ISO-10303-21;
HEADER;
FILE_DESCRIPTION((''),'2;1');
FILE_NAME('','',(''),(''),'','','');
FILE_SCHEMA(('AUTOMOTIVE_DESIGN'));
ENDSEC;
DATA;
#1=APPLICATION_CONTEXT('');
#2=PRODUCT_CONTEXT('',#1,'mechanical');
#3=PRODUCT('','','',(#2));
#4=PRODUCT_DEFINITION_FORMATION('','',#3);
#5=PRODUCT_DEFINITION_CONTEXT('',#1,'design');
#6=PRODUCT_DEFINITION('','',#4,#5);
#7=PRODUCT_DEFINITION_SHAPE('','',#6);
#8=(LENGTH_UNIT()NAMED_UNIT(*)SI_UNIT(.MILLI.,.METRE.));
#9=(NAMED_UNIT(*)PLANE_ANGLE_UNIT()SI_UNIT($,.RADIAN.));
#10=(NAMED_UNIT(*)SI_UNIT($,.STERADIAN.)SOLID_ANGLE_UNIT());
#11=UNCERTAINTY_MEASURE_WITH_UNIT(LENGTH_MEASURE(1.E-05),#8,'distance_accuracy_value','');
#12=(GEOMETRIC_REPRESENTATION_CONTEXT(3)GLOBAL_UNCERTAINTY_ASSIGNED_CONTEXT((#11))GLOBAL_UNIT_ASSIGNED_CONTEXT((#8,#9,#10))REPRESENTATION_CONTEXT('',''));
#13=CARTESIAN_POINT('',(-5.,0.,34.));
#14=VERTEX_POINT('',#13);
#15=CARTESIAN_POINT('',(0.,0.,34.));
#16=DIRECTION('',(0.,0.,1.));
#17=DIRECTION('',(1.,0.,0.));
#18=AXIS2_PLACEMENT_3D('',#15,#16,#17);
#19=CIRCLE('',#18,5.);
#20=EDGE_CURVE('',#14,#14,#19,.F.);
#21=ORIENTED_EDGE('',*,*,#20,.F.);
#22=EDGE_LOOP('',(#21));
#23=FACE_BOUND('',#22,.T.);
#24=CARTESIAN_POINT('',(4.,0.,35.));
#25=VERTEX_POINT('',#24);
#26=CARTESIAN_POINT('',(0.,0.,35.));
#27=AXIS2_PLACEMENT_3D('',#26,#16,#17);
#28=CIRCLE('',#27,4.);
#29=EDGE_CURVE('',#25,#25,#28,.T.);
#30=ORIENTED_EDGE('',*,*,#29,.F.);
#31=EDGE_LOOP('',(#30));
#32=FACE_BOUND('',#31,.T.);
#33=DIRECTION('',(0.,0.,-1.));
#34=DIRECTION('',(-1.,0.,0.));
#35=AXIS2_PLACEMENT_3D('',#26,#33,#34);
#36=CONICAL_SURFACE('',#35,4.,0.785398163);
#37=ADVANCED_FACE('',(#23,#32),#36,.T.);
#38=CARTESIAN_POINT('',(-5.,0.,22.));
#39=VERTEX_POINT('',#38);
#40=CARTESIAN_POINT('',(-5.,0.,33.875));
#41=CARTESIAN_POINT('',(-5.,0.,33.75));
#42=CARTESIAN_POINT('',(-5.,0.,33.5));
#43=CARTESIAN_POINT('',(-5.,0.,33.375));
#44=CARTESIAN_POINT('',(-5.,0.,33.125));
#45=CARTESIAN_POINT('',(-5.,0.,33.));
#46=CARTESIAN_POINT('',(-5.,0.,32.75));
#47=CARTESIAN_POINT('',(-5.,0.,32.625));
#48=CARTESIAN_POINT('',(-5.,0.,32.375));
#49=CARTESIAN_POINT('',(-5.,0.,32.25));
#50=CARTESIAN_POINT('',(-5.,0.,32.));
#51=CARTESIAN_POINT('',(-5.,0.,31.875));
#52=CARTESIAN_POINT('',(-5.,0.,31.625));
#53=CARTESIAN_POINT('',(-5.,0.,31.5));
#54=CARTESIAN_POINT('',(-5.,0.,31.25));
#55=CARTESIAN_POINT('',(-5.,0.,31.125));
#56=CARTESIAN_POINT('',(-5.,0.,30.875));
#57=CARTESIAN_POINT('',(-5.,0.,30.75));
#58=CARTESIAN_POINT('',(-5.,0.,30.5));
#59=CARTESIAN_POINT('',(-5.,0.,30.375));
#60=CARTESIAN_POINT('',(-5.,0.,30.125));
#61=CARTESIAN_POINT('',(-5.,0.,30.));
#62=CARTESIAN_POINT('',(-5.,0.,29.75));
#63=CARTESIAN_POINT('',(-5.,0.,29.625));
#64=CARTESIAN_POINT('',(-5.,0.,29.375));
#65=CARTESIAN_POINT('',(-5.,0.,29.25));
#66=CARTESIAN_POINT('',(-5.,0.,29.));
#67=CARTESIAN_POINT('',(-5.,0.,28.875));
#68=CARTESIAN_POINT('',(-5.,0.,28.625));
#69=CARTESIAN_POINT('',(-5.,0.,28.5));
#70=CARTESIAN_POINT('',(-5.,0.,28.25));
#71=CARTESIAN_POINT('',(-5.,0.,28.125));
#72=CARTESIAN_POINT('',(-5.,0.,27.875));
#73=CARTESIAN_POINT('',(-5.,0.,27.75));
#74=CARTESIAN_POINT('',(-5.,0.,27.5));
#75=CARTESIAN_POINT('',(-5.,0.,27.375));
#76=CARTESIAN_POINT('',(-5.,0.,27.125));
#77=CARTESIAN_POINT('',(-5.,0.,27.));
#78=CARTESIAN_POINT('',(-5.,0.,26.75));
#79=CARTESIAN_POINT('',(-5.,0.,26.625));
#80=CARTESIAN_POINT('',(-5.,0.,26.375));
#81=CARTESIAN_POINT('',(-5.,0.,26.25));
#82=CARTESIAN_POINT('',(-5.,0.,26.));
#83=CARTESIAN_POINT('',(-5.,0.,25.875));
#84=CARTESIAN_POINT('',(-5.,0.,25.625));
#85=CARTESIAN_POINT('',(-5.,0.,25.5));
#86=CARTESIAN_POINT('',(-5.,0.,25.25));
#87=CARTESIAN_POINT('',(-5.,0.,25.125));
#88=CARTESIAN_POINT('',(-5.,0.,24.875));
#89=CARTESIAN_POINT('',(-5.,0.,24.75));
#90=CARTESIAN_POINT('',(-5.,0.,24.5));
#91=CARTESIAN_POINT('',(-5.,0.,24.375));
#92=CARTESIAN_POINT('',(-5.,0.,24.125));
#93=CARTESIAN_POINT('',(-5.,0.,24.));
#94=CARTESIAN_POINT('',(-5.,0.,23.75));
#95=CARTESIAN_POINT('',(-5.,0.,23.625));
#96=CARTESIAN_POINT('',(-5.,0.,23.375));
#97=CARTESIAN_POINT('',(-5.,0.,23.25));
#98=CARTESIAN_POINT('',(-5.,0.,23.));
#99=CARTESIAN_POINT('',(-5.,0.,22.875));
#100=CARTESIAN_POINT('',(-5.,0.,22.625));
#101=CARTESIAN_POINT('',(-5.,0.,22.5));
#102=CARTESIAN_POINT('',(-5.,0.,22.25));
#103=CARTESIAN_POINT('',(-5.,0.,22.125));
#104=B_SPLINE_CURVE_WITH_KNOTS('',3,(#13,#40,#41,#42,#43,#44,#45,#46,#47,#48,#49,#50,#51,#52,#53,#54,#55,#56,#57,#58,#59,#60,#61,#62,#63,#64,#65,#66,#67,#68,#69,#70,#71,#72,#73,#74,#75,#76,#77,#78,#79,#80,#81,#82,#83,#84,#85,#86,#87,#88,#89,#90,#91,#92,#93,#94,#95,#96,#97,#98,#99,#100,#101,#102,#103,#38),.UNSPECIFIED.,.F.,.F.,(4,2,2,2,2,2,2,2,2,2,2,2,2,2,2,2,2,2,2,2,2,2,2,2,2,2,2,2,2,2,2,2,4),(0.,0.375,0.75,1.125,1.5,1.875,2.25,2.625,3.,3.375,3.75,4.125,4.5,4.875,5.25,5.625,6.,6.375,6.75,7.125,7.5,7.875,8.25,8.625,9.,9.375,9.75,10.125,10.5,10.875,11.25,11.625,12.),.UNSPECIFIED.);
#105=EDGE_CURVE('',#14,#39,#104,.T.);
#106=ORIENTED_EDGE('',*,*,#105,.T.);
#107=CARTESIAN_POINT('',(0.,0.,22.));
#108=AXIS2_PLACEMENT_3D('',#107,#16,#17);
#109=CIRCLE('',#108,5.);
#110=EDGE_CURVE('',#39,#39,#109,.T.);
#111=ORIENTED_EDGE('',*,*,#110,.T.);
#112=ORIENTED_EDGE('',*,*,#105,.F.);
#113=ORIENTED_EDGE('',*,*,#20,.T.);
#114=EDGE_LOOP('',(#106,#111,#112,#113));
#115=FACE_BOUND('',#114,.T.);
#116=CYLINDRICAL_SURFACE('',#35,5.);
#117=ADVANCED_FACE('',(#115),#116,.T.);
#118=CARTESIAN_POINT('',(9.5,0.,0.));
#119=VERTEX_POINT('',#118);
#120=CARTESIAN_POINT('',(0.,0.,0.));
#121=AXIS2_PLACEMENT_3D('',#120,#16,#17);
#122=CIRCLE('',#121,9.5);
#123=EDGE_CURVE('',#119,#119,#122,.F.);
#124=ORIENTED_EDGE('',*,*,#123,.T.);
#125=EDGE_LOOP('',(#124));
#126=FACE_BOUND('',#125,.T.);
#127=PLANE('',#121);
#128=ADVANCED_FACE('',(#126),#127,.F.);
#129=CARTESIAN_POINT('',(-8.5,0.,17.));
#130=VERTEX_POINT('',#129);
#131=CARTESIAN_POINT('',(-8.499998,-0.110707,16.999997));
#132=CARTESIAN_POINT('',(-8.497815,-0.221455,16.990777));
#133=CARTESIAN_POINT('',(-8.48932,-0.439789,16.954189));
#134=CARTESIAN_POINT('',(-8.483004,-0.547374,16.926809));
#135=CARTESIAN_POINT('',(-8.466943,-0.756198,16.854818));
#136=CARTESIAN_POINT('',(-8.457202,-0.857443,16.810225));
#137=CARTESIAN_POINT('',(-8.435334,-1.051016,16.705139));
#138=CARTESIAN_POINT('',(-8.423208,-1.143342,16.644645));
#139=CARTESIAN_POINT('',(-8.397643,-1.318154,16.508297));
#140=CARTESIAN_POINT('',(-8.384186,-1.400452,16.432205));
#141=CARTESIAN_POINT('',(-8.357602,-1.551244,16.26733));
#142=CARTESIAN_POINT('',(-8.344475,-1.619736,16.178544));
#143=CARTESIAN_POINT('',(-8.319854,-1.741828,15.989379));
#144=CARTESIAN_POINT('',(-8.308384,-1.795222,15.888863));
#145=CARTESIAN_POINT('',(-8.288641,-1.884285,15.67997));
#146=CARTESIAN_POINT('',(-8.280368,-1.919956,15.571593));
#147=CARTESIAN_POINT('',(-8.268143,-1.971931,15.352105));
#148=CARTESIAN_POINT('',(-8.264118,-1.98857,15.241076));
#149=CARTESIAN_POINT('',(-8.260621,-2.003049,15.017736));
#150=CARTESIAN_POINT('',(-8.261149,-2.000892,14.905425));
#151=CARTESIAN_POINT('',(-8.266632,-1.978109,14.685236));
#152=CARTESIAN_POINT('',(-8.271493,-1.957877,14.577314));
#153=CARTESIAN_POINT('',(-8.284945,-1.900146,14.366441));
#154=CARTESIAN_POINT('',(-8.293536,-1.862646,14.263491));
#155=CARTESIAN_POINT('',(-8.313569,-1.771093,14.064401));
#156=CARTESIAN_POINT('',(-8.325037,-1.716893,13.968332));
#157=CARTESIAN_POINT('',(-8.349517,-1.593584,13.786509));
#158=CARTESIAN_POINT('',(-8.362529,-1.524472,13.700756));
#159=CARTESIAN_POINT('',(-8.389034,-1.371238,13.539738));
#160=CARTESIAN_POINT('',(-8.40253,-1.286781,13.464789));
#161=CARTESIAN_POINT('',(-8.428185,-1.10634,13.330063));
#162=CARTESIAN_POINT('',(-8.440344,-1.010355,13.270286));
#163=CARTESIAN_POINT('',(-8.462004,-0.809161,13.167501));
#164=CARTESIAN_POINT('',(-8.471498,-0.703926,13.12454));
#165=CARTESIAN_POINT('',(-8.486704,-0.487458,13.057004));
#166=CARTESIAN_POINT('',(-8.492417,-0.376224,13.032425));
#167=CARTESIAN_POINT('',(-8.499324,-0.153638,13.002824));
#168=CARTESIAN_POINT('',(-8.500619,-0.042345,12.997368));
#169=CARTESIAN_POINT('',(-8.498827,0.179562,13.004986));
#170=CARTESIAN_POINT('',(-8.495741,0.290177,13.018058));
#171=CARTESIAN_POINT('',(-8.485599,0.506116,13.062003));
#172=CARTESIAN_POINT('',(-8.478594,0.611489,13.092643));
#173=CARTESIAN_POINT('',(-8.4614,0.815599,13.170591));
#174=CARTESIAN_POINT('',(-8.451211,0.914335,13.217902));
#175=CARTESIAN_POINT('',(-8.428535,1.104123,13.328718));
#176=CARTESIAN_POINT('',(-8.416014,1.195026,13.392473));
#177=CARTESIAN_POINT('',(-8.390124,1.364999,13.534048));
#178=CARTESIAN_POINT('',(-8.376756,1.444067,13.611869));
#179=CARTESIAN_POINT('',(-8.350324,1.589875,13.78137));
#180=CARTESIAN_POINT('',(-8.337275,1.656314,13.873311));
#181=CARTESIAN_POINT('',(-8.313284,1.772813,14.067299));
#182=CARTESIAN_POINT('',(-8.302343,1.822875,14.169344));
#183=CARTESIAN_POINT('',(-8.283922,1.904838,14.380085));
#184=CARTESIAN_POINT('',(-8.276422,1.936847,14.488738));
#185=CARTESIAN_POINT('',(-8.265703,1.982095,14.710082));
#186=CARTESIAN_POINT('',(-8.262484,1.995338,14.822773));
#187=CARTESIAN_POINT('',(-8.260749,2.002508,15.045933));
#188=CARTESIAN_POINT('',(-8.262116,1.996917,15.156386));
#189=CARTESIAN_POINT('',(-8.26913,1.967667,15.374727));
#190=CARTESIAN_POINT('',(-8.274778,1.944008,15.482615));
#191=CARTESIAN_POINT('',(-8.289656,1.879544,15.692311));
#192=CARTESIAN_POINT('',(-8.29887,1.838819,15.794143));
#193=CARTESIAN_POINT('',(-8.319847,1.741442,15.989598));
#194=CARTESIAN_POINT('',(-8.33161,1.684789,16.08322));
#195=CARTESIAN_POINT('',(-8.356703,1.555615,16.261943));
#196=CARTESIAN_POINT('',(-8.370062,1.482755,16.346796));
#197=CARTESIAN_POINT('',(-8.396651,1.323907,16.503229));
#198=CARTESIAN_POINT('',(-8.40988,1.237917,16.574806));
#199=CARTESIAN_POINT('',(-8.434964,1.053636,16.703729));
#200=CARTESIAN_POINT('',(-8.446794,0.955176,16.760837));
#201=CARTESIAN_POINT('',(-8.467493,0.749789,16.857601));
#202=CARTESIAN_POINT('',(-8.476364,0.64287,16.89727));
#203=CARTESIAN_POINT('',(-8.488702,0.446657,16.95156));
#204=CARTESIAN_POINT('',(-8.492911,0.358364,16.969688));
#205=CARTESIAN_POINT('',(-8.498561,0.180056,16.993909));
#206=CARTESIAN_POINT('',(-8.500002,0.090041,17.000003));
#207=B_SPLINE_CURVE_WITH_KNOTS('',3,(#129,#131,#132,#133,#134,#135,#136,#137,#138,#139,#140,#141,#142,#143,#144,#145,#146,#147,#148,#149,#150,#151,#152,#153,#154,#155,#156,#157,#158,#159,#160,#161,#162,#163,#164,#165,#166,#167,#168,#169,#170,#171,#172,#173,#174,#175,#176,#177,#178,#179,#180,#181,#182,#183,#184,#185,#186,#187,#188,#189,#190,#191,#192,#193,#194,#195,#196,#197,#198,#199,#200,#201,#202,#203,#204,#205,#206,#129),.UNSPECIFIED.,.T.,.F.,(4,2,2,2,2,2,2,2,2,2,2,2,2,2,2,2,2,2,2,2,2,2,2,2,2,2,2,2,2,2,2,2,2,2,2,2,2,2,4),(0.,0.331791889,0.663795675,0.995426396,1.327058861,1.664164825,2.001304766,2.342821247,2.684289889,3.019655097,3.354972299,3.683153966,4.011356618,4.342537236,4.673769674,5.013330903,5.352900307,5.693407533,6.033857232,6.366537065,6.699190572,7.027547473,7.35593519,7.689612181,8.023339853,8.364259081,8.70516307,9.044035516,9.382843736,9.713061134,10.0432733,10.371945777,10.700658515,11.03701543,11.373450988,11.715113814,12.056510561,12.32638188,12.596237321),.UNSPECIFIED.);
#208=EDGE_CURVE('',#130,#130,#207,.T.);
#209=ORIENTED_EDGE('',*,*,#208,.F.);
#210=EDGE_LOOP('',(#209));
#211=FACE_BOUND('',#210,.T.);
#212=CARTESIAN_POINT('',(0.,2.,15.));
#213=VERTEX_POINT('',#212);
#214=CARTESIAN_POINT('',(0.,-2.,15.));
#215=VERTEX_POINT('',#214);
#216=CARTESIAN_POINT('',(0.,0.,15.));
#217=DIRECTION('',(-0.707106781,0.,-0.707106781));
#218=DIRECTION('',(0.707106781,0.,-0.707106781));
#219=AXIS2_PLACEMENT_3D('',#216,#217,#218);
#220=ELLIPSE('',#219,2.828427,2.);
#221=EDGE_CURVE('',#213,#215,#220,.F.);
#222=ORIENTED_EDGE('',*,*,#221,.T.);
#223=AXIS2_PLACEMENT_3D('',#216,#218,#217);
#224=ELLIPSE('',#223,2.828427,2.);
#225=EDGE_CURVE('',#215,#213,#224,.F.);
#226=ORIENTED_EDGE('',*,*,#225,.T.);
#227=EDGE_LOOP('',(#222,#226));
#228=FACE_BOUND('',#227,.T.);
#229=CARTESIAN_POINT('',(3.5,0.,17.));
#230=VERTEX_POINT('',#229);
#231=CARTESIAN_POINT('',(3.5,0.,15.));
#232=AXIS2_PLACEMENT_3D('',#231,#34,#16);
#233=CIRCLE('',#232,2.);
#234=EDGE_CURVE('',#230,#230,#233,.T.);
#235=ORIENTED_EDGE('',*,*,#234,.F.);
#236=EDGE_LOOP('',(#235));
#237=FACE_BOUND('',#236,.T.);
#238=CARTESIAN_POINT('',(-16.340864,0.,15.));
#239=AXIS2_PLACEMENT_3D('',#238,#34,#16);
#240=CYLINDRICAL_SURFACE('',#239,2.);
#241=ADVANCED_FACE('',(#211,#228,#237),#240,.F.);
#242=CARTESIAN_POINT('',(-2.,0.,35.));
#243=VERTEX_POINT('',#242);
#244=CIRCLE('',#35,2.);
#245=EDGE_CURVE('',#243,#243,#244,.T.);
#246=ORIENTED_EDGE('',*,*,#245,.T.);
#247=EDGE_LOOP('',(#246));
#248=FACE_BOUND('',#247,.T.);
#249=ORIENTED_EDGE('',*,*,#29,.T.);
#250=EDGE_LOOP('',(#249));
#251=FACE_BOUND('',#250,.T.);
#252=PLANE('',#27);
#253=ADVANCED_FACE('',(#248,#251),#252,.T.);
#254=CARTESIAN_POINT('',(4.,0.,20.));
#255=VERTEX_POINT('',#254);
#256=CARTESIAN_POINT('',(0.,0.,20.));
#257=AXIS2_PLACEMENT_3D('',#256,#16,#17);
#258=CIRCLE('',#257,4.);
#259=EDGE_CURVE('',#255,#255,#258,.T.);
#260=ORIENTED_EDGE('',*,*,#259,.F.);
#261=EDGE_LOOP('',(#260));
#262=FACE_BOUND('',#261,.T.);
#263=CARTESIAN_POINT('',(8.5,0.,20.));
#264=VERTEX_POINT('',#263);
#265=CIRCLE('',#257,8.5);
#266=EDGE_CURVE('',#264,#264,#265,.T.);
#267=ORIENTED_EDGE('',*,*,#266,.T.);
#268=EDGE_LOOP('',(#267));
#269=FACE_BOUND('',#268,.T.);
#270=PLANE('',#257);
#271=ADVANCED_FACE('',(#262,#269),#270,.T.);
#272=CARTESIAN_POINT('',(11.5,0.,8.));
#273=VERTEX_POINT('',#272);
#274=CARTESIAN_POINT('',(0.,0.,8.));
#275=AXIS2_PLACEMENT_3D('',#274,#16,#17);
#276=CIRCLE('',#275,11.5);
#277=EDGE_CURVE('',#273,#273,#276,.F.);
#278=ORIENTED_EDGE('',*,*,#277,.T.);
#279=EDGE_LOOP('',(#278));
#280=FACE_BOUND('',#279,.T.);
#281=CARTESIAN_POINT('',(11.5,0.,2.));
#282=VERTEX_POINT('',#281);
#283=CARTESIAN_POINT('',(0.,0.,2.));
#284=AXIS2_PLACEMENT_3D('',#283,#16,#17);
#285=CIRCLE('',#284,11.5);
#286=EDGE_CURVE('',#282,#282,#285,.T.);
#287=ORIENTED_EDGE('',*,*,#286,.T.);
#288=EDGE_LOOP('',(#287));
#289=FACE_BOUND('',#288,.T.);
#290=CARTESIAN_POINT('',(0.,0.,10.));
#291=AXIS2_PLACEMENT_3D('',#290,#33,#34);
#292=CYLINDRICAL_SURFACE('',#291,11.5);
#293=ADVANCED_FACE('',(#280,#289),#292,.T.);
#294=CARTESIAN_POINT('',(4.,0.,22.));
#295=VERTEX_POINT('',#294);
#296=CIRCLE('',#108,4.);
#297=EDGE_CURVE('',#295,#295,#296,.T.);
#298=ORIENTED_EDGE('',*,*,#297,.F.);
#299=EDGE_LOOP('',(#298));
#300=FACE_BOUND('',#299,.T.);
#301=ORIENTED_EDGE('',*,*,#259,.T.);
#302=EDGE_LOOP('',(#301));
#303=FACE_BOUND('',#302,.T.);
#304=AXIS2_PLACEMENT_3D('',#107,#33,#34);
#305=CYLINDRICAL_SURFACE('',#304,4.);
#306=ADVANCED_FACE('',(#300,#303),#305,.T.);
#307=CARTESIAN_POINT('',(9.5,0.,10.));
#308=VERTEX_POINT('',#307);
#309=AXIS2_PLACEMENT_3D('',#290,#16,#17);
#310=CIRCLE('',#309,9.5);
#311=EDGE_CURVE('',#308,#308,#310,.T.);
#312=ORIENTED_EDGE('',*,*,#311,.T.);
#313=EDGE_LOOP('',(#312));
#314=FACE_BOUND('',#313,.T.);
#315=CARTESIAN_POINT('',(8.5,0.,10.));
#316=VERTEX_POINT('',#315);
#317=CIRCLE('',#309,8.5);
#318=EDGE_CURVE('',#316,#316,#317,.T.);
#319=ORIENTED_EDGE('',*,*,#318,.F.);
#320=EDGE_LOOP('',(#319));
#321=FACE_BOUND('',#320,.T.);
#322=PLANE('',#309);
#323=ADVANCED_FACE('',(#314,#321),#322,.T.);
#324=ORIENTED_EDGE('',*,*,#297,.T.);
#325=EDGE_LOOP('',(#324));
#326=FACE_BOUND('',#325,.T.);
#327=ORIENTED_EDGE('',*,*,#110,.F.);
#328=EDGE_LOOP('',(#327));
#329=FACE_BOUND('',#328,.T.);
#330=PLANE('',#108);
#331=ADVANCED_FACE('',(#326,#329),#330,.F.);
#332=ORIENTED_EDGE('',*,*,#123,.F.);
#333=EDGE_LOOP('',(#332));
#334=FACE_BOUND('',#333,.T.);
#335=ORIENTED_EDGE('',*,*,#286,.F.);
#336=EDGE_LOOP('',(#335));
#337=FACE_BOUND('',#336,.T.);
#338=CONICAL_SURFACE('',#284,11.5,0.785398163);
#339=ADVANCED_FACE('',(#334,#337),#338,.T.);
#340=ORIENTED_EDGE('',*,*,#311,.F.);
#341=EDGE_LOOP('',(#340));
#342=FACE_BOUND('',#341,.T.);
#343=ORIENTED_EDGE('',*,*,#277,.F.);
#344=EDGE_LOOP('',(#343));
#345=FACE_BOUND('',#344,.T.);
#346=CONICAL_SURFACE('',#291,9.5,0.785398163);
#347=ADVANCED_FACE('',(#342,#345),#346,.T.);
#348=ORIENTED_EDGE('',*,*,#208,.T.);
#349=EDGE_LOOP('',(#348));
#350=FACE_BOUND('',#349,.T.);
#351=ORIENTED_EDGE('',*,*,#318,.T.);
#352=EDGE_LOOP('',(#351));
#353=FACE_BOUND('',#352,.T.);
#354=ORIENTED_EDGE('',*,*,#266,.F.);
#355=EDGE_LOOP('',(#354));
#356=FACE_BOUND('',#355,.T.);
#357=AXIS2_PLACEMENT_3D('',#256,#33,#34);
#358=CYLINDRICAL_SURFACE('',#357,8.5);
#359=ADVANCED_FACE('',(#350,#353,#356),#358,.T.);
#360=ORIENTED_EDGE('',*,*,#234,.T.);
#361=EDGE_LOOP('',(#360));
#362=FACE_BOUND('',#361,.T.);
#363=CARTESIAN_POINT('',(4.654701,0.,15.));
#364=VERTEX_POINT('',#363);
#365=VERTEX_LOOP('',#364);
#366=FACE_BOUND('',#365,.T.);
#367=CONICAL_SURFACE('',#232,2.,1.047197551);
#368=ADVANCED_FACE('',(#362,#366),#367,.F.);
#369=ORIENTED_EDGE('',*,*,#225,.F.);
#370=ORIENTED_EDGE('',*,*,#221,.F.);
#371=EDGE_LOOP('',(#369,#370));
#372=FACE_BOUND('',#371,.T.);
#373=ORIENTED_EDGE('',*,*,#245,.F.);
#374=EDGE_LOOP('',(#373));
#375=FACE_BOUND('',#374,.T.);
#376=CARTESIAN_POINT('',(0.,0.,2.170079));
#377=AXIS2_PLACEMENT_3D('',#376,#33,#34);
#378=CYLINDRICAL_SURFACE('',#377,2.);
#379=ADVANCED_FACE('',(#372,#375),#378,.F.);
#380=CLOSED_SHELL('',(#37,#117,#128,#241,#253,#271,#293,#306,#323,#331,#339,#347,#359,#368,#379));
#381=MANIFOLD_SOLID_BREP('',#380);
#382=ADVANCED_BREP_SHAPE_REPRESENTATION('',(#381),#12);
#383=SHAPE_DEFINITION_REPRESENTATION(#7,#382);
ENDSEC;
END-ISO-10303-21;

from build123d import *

# Parameters (mm, degrees)
SKETCH_1_R      = 11.5
EXTRUDE_1_DEPTH = 10
SKETCH_2_R      = 8.5
EXTRUDE_2_DEPTH = 10
SKETCH_3_R      = 4
EXTRUDE_3_DEPTH = 2
SKETCH_4_R      = 5
EXTRUDE_4_DEPTH = 13
CHAMFER_1_SIZE  = 2
CHAMFER_2_SIZE  = 1


with BuildPart() as part:
    # 草图1 → 拉伸1 (new body)
    with BuildSketch(Plane.XY):
        Circle(SKETCH_1_R)
    extrude(amount=EXTRUDE_1_DEPTH)

    # 草图2 → 拉伸2 (add)
    with BuildSketch(Plane.XY.offset(10)):
        Circle(SKETCH_2_R)
    extrude(amount=EXTRUDE_2_DEPTH)

    # 草图3 → 拉伸3 (add)
    with BuildSketch(Plane.XY.offset(20)):
        Circle(SKETCH_3_R)
    extrude(amount=EXTRUDE_3_DEPTH)

    # 草图4 → 拉伸4 (add)
    with BuildSketch(Plane.XY.offset(22)):
        with Locations(Location((0, 0, 0), (0, 0, 180))):
            Circle(SKETCH_4_R)
    extrude(amount=EXTRUDE_4_DEPTH)

    # 草图6 → 切除-旋转1 (revolve, cut)
    with BuildSketch(Plane(origin=(0, 0, 0), x_dir=(1, 0, 0), z_dir=(0, 1, 0))):
        Polygon((0, -35), (2, -35), (2, -15), (0, -13.845299462), align=None)
    revolve(axis=Axis((0, 0, 2.170078688), (0, 0, 1)), mode=Mode.SUBTRACT)

    # 草图7 → 切除-旋转2 (revolve, cut)
    with BuildSketch(Plane(origin=(0, 0, 0), x_dir=(1, 0, 0), z_dir=(0, 1, 0))):
        Polygon((-8.5, -15), (-8.5, -17), (3.5, -17), (4.654700538, -15), align=None)
    revolve(axis=Axis((-16.340863748, 0, 15), (1, 0, 0)), mode=Mode.SUBTRACT)

    # 倒角1
    chamfer_1_edges = [part.edges().sort_by_distance(p)[0] for p in [
        (-11.5, 0, 0),
        (-11.5, 0, 10),
    ]]
    chamfer(chamfer_1_edges, length=CHAMFER_1_SIZE)

    # 倒角2
    chamfer_2_edges = [part.edges().sort_by_distance(p)[0] for p in [
        (5, 0, 35),
    ]]
    chamfer(chamfer_2_edges, length=CHAMFER_2_SIZE)


solid = part.part
